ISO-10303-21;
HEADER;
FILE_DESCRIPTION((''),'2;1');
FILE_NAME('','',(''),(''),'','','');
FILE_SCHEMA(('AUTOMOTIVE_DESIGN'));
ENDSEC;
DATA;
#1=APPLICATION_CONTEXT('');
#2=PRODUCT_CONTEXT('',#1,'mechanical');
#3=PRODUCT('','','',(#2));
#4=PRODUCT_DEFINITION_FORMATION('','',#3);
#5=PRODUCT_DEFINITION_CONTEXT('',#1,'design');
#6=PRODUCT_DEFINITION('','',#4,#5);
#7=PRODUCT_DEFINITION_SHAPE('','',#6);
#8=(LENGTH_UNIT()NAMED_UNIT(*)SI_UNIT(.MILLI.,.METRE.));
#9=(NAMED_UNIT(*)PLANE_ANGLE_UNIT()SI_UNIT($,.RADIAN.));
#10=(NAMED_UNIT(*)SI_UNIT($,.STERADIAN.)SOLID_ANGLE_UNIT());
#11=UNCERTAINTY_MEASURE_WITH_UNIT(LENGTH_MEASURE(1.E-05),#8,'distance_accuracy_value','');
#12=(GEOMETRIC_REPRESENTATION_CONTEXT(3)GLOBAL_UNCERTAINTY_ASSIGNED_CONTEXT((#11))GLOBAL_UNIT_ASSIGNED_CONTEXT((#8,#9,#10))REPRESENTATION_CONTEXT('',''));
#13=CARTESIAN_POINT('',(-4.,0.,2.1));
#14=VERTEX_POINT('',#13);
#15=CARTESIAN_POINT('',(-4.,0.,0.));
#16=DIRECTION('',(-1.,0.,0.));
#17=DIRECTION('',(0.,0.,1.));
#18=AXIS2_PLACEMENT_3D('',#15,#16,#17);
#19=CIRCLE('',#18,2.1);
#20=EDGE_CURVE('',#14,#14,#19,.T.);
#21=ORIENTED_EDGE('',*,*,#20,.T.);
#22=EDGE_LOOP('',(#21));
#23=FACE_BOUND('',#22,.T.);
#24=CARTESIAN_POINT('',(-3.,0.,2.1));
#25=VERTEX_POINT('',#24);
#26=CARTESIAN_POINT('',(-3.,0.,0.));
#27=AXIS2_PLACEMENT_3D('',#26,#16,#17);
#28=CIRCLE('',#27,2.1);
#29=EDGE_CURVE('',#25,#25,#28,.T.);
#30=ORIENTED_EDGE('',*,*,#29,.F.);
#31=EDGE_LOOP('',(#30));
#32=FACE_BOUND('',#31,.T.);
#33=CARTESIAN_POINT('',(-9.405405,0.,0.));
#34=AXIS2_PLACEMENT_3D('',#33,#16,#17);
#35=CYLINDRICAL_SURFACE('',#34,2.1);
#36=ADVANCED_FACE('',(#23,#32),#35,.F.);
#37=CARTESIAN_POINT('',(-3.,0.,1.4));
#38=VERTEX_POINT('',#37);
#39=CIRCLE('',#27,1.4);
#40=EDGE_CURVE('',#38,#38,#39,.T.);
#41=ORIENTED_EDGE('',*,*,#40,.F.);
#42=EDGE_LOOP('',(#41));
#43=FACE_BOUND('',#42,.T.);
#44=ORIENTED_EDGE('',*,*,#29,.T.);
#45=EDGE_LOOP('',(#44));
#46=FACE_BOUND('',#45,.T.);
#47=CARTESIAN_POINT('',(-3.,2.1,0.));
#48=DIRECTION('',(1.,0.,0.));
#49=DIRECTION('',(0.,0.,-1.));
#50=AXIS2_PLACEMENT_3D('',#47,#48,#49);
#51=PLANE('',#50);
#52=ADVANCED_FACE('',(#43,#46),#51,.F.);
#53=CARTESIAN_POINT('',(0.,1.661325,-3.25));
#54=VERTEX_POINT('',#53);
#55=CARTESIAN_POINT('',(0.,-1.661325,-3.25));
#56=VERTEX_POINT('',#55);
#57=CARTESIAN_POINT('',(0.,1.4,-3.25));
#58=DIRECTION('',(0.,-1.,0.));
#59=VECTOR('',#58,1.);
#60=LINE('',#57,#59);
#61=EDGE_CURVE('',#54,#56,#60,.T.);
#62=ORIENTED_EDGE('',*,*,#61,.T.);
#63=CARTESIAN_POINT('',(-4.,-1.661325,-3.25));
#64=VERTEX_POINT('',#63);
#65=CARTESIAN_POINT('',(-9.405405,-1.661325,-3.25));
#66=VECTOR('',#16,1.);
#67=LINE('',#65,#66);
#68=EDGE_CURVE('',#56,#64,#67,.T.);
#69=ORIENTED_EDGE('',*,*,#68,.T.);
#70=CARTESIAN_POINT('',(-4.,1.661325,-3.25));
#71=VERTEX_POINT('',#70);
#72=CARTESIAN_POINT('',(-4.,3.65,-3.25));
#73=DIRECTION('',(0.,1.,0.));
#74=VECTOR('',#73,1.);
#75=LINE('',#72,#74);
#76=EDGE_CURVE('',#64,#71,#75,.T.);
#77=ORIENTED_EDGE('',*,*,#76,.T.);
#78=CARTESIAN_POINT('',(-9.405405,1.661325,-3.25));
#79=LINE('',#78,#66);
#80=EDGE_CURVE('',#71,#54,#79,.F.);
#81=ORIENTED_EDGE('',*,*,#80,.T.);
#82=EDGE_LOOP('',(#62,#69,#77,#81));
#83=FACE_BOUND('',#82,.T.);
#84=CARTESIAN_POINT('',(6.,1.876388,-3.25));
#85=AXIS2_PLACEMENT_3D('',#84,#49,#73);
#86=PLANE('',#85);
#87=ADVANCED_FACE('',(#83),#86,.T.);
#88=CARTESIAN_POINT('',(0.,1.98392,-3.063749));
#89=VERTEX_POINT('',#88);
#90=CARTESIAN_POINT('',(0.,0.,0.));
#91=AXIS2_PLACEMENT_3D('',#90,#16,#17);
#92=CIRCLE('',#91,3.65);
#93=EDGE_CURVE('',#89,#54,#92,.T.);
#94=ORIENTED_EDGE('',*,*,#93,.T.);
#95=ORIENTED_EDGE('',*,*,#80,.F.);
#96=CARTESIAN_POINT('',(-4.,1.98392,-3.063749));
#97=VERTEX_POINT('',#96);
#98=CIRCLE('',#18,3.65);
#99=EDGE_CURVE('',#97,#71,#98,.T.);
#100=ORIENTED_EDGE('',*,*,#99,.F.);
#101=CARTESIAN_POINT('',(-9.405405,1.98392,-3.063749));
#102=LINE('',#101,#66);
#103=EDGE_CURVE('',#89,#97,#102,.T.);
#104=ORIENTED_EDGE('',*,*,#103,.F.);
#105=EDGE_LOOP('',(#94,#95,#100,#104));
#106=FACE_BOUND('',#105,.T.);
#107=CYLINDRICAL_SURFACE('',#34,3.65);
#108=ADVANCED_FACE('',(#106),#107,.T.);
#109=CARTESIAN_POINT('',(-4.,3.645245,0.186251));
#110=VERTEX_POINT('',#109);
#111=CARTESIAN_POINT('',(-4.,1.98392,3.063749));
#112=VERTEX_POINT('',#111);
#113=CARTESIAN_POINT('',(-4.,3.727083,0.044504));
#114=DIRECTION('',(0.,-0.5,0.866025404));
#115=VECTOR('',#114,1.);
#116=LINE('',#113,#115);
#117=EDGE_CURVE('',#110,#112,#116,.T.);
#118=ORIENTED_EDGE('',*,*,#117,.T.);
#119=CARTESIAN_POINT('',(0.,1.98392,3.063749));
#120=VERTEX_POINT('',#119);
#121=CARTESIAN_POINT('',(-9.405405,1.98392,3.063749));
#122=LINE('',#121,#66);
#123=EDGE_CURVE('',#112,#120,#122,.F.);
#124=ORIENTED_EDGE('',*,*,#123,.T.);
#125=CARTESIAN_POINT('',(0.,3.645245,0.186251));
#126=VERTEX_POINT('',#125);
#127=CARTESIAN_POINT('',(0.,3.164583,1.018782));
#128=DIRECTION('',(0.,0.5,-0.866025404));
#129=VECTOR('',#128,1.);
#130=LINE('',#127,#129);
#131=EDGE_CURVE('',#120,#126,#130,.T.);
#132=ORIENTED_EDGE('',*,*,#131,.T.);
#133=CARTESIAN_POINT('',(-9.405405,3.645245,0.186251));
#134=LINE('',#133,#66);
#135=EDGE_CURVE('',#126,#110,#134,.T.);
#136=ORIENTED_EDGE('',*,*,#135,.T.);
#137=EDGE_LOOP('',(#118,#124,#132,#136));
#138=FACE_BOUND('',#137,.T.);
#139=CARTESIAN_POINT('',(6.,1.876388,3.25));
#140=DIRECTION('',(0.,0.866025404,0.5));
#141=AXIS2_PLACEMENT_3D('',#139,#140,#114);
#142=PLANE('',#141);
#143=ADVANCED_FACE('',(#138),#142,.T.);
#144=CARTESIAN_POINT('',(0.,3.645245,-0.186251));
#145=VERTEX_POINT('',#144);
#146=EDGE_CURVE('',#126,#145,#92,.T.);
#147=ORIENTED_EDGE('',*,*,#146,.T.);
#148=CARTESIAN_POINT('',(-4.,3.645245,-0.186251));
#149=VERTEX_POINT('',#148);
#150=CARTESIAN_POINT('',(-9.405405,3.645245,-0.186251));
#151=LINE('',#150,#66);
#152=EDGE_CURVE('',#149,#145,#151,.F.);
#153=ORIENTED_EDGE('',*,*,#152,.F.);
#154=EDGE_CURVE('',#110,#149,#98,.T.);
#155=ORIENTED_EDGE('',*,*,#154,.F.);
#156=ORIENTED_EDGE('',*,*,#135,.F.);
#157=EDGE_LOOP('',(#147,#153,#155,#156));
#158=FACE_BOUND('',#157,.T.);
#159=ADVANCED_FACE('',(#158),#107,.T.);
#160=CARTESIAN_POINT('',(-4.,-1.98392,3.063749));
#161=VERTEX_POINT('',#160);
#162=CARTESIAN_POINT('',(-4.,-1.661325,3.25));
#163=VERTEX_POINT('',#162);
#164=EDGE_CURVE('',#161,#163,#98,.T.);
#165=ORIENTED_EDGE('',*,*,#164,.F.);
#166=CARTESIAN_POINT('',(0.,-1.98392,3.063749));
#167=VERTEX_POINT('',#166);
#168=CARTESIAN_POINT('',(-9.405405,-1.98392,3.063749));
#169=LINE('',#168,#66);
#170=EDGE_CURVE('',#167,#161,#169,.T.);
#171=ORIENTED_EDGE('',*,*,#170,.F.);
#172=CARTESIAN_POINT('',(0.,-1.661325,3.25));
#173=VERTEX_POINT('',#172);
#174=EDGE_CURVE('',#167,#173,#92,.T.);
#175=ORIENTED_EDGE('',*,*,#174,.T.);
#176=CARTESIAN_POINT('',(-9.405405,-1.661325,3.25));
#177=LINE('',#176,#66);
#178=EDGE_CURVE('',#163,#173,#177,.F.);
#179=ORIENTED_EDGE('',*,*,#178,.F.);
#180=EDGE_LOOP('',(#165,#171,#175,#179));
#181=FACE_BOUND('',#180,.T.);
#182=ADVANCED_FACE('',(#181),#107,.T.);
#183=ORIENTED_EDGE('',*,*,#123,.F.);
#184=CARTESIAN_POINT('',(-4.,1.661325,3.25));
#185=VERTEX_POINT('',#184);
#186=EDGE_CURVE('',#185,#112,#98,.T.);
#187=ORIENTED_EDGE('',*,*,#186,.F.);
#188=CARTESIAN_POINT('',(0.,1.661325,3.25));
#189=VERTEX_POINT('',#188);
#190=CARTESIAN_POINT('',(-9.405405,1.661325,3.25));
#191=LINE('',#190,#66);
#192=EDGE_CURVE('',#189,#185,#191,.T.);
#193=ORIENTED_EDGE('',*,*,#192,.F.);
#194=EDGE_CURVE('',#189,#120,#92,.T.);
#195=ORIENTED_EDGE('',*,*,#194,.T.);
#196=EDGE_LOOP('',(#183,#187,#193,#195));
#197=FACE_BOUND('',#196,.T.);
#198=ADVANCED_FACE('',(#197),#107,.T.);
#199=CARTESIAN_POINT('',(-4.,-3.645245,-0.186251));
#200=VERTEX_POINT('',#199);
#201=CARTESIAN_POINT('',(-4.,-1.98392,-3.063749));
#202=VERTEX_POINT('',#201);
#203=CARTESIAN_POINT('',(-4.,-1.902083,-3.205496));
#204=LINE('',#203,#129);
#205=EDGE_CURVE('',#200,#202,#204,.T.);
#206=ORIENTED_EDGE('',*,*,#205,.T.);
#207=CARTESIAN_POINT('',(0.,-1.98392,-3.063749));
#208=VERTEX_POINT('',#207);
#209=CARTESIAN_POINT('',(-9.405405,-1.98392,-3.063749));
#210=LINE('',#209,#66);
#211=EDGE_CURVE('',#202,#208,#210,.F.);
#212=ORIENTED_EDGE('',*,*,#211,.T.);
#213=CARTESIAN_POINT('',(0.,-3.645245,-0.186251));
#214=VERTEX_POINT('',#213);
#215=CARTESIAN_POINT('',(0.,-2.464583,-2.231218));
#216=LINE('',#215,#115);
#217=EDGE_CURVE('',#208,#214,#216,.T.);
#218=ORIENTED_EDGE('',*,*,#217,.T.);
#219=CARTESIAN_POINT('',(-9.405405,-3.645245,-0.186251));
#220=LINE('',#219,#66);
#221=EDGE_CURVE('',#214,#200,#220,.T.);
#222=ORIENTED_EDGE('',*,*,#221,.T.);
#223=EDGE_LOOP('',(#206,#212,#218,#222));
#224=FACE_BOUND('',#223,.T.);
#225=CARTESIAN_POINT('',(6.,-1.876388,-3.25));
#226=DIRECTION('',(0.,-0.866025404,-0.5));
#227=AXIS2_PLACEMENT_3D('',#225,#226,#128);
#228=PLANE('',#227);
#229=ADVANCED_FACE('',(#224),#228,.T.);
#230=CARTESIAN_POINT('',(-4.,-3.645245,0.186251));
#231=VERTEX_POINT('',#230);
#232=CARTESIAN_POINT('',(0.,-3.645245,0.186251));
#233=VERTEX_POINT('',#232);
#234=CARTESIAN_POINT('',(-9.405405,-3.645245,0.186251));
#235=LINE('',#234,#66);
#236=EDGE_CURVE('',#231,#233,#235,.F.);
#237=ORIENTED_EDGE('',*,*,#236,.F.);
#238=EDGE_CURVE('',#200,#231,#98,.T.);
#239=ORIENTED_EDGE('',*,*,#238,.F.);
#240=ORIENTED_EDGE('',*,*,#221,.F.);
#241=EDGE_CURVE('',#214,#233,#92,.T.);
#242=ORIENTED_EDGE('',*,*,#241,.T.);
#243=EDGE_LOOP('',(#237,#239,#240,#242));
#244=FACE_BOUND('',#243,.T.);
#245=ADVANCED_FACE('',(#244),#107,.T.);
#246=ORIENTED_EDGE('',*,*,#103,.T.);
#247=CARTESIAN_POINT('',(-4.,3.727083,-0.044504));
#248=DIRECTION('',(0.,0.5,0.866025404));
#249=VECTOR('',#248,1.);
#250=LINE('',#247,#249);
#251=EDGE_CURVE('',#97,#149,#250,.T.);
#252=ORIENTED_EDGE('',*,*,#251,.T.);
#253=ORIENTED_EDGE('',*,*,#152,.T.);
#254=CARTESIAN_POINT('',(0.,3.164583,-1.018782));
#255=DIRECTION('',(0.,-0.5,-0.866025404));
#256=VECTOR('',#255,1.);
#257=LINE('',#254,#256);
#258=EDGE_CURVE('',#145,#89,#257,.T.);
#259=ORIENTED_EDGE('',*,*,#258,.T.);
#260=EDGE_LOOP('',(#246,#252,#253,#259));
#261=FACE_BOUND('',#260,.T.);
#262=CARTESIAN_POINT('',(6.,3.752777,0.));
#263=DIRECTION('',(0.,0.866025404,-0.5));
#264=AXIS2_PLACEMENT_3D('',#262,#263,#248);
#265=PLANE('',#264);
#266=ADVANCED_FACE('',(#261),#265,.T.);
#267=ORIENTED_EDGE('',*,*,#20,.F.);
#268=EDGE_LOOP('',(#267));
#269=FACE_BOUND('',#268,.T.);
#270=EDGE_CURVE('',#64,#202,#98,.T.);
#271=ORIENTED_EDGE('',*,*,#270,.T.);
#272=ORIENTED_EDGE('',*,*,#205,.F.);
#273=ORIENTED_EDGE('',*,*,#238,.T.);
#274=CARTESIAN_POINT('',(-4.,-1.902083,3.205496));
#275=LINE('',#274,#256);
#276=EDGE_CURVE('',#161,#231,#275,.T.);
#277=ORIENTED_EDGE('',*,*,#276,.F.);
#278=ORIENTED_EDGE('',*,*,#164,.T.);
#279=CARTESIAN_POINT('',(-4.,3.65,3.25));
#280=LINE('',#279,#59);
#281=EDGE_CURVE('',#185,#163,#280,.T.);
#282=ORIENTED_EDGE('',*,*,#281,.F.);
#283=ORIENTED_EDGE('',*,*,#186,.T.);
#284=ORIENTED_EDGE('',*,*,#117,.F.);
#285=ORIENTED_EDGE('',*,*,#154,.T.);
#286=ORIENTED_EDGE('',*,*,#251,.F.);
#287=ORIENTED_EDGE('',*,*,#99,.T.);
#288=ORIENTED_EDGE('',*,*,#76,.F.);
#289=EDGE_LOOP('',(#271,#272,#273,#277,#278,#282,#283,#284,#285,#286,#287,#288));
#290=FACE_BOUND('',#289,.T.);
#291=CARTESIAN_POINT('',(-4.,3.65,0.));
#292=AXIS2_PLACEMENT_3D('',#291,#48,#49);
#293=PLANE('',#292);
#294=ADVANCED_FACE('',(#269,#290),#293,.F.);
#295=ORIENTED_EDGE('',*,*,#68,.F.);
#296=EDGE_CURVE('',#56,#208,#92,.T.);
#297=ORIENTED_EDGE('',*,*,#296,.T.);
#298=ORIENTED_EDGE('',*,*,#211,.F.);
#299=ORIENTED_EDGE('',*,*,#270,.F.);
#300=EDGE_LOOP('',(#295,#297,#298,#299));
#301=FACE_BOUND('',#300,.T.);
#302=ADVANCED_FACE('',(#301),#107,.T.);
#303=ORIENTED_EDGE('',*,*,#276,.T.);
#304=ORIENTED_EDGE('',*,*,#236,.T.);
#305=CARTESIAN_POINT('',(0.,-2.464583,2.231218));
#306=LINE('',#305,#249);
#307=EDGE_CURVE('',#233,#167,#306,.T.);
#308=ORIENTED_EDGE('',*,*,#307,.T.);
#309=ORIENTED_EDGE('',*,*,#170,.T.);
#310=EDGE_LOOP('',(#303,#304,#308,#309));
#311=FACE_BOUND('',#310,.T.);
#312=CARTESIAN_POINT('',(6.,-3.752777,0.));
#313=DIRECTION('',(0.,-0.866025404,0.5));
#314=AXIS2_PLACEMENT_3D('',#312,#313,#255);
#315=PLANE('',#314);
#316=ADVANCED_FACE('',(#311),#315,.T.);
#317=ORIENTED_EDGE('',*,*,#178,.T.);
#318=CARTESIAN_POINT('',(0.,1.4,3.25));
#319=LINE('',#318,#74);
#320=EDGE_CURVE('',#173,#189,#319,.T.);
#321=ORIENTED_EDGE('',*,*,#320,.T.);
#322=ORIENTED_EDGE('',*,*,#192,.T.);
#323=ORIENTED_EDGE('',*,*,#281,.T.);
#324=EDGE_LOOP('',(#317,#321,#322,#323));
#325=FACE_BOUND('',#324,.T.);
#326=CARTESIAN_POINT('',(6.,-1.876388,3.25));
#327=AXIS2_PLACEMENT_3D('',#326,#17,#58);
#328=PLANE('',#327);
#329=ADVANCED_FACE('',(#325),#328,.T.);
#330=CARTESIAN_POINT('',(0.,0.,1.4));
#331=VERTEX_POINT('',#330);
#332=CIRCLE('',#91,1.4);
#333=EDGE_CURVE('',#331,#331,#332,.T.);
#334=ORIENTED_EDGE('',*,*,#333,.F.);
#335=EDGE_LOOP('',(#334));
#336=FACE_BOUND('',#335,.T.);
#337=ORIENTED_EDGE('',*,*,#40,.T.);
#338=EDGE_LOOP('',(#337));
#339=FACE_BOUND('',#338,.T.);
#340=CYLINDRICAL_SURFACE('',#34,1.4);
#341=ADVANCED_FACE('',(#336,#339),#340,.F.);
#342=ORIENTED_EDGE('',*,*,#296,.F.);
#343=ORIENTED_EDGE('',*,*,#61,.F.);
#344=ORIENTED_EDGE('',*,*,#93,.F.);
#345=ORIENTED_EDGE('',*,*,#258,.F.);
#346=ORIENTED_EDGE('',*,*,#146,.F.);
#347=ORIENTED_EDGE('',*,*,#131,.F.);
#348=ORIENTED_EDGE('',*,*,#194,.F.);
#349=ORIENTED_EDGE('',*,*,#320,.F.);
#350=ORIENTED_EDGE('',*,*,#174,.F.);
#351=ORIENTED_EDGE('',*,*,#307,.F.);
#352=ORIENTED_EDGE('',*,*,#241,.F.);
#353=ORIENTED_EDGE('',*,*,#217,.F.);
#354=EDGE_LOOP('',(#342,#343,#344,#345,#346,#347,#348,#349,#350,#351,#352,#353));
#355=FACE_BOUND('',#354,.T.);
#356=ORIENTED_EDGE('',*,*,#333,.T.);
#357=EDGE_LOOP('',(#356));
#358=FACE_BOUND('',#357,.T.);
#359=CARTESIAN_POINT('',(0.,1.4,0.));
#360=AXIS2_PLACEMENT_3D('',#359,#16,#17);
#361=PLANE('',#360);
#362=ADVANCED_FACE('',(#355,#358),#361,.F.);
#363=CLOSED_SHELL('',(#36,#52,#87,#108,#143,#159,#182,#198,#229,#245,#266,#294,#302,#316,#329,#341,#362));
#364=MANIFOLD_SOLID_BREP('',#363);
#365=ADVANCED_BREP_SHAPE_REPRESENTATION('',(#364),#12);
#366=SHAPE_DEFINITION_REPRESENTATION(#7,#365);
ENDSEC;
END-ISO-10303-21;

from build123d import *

# Parameters (mm, degrees)
SKETCH_2_OUTSIDE_W  = 11.514
SKETCH_2_OUTSIDE_H  = 11.514
CUT_EXTRUDE_1_DEPTH = 10


with BuildPart() as part:
    # 草图1 → 旋转1 (revolve)
    with BuildSketch(Plane.XY, mode=Mode.PRIVATE) as revolve_1_sk:
        Polygon((0, 1.4), (0, 3.65), (-4, 3.65), (-4, 2.1), (-3, 2.1), (-3, 1.4), align=None)
    revolve(revolve_1_sk.sketch.rotate(Axis((-9.405405405, 0, 0), (1, 0, 0)), 90), axis=Axis((-9.405405405, 0, 0), (1, 0, 0)))

    # 草图2 outside → 切除-拉伸1 (cut)
    with BuildSketch(Plane.ZY.offset(4)):
        Rectangle(SKETCH_2_OUTSIDE_W, SKETCH_2_OUTSIDE_H)
        Polygon((0, 3.75277675), (-3.25, 1.876388375), (-3.25, -1.876388375), (0, -3.75277675), (3.25, -1.876388375), (3.25, 1.876388375), align=None, mode=Mode.SUBTRACT)
    extrude(amount=-CUT_EXTRUDE_1_DEPTH, mode=Mode.SUBTRACT)


solid = part.part
